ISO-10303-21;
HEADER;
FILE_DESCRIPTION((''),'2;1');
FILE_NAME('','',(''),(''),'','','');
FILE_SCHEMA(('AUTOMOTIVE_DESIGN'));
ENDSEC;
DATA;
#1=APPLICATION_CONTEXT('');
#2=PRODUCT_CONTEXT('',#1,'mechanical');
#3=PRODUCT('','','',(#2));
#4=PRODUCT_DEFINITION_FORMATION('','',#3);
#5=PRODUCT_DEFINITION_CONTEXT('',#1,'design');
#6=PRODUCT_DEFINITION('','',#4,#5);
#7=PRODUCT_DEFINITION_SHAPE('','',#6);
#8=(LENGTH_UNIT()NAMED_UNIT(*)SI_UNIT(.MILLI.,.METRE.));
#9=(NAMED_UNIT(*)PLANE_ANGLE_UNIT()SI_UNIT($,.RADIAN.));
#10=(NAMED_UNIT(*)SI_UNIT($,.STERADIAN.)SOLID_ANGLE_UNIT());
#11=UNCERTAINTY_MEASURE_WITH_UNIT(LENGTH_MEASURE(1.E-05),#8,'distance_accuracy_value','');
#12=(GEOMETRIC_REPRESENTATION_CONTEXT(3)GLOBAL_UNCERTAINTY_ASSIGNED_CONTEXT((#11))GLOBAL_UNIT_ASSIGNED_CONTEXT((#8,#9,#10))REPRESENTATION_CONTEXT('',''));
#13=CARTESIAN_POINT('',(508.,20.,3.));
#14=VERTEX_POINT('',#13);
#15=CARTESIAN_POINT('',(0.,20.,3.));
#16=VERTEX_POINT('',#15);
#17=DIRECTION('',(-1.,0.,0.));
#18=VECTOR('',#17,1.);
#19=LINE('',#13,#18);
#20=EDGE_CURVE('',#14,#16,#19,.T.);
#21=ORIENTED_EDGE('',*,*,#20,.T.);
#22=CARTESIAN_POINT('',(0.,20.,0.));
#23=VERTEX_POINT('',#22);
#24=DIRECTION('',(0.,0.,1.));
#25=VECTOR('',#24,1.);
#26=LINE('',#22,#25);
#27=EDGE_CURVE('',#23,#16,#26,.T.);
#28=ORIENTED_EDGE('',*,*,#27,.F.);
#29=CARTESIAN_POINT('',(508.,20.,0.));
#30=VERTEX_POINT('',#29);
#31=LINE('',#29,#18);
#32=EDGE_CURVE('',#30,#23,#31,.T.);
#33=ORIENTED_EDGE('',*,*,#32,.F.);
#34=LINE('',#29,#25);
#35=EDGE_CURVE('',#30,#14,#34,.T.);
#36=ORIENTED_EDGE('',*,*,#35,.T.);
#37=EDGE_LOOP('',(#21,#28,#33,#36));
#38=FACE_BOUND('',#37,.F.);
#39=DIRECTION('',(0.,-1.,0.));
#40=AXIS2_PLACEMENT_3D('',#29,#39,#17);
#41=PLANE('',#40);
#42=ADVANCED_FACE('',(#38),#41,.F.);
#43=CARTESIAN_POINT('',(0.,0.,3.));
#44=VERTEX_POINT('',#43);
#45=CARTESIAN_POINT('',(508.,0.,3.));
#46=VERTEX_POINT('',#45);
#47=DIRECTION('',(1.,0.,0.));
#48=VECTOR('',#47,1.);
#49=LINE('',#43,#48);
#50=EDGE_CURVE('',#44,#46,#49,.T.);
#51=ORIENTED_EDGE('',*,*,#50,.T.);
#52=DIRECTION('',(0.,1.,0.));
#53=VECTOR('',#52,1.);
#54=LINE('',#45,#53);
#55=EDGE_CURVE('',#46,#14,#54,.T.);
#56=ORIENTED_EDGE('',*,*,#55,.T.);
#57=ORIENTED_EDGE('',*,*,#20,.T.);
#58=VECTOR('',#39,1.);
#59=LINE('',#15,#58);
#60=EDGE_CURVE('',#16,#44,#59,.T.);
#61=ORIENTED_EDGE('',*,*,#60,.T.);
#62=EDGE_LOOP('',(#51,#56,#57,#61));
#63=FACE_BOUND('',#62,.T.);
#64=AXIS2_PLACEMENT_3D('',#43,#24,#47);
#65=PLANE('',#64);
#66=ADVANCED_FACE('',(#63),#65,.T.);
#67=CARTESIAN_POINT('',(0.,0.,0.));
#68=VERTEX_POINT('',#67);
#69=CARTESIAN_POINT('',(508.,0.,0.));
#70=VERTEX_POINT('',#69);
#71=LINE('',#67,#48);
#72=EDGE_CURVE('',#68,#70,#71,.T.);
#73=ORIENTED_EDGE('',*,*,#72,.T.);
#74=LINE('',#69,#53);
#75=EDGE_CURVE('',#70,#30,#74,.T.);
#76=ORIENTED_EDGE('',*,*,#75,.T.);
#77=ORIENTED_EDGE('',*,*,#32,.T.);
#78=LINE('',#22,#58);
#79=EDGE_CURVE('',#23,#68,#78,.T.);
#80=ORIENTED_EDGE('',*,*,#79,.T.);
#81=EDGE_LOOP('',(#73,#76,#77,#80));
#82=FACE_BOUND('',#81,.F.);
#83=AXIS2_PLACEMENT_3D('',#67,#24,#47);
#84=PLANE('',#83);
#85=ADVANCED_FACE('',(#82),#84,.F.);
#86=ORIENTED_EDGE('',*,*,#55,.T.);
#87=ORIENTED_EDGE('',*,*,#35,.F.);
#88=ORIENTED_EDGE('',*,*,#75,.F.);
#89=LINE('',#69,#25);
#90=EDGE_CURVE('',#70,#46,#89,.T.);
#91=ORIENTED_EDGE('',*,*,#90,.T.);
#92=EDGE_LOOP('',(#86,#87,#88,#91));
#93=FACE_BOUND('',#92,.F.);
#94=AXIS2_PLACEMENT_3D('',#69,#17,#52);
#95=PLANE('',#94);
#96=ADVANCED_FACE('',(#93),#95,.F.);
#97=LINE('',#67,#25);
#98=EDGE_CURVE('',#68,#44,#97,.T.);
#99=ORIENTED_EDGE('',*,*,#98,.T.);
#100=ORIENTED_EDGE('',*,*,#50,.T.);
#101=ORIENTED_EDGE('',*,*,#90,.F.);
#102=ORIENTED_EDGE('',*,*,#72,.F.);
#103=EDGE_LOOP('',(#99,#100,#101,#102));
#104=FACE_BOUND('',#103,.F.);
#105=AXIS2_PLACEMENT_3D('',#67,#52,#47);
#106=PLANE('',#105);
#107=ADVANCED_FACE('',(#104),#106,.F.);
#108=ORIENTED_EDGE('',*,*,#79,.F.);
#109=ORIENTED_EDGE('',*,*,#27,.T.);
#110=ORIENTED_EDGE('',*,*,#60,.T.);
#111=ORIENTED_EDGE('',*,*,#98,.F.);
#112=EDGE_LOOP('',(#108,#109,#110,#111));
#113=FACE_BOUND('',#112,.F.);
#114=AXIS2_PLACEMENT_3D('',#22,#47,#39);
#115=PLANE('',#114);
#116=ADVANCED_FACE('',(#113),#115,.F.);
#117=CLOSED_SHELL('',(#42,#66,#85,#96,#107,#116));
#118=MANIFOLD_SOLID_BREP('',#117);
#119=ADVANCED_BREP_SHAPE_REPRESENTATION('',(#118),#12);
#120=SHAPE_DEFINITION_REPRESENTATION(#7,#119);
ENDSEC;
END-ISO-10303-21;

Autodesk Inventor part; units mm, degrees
ref_plane "YZ Plane" through (0, 0, 0) normal (1, 0, 0) x (0, 1, 0)
ref_plane "XZ Plane" through (0, 0, 0) normal (0, 1, 0) x (-1, 0, 0)
ref_plane "XY Plane" through (0, 0, 0) normal (0, 0, 1) x (1, 0, 0)
sketch "Sketch1" plane through (0, 0, 0) normal (0, 0, 1) x (1, 0, 0)
  line L0 (0, 0) -> (508, 0)
  line L1 (508, 0) -> (508, 20)
  line L2 (508, 20) -> (0, 20)
  line L3 (0, 20) -> (0, 0)
  dimension "d0" = 508
  dimension "d1" = 20
extrude "Extrusion1" add sketch "Sketch1" along normal blind 3
properties part number "Base2" material "Aluminum 6061"
